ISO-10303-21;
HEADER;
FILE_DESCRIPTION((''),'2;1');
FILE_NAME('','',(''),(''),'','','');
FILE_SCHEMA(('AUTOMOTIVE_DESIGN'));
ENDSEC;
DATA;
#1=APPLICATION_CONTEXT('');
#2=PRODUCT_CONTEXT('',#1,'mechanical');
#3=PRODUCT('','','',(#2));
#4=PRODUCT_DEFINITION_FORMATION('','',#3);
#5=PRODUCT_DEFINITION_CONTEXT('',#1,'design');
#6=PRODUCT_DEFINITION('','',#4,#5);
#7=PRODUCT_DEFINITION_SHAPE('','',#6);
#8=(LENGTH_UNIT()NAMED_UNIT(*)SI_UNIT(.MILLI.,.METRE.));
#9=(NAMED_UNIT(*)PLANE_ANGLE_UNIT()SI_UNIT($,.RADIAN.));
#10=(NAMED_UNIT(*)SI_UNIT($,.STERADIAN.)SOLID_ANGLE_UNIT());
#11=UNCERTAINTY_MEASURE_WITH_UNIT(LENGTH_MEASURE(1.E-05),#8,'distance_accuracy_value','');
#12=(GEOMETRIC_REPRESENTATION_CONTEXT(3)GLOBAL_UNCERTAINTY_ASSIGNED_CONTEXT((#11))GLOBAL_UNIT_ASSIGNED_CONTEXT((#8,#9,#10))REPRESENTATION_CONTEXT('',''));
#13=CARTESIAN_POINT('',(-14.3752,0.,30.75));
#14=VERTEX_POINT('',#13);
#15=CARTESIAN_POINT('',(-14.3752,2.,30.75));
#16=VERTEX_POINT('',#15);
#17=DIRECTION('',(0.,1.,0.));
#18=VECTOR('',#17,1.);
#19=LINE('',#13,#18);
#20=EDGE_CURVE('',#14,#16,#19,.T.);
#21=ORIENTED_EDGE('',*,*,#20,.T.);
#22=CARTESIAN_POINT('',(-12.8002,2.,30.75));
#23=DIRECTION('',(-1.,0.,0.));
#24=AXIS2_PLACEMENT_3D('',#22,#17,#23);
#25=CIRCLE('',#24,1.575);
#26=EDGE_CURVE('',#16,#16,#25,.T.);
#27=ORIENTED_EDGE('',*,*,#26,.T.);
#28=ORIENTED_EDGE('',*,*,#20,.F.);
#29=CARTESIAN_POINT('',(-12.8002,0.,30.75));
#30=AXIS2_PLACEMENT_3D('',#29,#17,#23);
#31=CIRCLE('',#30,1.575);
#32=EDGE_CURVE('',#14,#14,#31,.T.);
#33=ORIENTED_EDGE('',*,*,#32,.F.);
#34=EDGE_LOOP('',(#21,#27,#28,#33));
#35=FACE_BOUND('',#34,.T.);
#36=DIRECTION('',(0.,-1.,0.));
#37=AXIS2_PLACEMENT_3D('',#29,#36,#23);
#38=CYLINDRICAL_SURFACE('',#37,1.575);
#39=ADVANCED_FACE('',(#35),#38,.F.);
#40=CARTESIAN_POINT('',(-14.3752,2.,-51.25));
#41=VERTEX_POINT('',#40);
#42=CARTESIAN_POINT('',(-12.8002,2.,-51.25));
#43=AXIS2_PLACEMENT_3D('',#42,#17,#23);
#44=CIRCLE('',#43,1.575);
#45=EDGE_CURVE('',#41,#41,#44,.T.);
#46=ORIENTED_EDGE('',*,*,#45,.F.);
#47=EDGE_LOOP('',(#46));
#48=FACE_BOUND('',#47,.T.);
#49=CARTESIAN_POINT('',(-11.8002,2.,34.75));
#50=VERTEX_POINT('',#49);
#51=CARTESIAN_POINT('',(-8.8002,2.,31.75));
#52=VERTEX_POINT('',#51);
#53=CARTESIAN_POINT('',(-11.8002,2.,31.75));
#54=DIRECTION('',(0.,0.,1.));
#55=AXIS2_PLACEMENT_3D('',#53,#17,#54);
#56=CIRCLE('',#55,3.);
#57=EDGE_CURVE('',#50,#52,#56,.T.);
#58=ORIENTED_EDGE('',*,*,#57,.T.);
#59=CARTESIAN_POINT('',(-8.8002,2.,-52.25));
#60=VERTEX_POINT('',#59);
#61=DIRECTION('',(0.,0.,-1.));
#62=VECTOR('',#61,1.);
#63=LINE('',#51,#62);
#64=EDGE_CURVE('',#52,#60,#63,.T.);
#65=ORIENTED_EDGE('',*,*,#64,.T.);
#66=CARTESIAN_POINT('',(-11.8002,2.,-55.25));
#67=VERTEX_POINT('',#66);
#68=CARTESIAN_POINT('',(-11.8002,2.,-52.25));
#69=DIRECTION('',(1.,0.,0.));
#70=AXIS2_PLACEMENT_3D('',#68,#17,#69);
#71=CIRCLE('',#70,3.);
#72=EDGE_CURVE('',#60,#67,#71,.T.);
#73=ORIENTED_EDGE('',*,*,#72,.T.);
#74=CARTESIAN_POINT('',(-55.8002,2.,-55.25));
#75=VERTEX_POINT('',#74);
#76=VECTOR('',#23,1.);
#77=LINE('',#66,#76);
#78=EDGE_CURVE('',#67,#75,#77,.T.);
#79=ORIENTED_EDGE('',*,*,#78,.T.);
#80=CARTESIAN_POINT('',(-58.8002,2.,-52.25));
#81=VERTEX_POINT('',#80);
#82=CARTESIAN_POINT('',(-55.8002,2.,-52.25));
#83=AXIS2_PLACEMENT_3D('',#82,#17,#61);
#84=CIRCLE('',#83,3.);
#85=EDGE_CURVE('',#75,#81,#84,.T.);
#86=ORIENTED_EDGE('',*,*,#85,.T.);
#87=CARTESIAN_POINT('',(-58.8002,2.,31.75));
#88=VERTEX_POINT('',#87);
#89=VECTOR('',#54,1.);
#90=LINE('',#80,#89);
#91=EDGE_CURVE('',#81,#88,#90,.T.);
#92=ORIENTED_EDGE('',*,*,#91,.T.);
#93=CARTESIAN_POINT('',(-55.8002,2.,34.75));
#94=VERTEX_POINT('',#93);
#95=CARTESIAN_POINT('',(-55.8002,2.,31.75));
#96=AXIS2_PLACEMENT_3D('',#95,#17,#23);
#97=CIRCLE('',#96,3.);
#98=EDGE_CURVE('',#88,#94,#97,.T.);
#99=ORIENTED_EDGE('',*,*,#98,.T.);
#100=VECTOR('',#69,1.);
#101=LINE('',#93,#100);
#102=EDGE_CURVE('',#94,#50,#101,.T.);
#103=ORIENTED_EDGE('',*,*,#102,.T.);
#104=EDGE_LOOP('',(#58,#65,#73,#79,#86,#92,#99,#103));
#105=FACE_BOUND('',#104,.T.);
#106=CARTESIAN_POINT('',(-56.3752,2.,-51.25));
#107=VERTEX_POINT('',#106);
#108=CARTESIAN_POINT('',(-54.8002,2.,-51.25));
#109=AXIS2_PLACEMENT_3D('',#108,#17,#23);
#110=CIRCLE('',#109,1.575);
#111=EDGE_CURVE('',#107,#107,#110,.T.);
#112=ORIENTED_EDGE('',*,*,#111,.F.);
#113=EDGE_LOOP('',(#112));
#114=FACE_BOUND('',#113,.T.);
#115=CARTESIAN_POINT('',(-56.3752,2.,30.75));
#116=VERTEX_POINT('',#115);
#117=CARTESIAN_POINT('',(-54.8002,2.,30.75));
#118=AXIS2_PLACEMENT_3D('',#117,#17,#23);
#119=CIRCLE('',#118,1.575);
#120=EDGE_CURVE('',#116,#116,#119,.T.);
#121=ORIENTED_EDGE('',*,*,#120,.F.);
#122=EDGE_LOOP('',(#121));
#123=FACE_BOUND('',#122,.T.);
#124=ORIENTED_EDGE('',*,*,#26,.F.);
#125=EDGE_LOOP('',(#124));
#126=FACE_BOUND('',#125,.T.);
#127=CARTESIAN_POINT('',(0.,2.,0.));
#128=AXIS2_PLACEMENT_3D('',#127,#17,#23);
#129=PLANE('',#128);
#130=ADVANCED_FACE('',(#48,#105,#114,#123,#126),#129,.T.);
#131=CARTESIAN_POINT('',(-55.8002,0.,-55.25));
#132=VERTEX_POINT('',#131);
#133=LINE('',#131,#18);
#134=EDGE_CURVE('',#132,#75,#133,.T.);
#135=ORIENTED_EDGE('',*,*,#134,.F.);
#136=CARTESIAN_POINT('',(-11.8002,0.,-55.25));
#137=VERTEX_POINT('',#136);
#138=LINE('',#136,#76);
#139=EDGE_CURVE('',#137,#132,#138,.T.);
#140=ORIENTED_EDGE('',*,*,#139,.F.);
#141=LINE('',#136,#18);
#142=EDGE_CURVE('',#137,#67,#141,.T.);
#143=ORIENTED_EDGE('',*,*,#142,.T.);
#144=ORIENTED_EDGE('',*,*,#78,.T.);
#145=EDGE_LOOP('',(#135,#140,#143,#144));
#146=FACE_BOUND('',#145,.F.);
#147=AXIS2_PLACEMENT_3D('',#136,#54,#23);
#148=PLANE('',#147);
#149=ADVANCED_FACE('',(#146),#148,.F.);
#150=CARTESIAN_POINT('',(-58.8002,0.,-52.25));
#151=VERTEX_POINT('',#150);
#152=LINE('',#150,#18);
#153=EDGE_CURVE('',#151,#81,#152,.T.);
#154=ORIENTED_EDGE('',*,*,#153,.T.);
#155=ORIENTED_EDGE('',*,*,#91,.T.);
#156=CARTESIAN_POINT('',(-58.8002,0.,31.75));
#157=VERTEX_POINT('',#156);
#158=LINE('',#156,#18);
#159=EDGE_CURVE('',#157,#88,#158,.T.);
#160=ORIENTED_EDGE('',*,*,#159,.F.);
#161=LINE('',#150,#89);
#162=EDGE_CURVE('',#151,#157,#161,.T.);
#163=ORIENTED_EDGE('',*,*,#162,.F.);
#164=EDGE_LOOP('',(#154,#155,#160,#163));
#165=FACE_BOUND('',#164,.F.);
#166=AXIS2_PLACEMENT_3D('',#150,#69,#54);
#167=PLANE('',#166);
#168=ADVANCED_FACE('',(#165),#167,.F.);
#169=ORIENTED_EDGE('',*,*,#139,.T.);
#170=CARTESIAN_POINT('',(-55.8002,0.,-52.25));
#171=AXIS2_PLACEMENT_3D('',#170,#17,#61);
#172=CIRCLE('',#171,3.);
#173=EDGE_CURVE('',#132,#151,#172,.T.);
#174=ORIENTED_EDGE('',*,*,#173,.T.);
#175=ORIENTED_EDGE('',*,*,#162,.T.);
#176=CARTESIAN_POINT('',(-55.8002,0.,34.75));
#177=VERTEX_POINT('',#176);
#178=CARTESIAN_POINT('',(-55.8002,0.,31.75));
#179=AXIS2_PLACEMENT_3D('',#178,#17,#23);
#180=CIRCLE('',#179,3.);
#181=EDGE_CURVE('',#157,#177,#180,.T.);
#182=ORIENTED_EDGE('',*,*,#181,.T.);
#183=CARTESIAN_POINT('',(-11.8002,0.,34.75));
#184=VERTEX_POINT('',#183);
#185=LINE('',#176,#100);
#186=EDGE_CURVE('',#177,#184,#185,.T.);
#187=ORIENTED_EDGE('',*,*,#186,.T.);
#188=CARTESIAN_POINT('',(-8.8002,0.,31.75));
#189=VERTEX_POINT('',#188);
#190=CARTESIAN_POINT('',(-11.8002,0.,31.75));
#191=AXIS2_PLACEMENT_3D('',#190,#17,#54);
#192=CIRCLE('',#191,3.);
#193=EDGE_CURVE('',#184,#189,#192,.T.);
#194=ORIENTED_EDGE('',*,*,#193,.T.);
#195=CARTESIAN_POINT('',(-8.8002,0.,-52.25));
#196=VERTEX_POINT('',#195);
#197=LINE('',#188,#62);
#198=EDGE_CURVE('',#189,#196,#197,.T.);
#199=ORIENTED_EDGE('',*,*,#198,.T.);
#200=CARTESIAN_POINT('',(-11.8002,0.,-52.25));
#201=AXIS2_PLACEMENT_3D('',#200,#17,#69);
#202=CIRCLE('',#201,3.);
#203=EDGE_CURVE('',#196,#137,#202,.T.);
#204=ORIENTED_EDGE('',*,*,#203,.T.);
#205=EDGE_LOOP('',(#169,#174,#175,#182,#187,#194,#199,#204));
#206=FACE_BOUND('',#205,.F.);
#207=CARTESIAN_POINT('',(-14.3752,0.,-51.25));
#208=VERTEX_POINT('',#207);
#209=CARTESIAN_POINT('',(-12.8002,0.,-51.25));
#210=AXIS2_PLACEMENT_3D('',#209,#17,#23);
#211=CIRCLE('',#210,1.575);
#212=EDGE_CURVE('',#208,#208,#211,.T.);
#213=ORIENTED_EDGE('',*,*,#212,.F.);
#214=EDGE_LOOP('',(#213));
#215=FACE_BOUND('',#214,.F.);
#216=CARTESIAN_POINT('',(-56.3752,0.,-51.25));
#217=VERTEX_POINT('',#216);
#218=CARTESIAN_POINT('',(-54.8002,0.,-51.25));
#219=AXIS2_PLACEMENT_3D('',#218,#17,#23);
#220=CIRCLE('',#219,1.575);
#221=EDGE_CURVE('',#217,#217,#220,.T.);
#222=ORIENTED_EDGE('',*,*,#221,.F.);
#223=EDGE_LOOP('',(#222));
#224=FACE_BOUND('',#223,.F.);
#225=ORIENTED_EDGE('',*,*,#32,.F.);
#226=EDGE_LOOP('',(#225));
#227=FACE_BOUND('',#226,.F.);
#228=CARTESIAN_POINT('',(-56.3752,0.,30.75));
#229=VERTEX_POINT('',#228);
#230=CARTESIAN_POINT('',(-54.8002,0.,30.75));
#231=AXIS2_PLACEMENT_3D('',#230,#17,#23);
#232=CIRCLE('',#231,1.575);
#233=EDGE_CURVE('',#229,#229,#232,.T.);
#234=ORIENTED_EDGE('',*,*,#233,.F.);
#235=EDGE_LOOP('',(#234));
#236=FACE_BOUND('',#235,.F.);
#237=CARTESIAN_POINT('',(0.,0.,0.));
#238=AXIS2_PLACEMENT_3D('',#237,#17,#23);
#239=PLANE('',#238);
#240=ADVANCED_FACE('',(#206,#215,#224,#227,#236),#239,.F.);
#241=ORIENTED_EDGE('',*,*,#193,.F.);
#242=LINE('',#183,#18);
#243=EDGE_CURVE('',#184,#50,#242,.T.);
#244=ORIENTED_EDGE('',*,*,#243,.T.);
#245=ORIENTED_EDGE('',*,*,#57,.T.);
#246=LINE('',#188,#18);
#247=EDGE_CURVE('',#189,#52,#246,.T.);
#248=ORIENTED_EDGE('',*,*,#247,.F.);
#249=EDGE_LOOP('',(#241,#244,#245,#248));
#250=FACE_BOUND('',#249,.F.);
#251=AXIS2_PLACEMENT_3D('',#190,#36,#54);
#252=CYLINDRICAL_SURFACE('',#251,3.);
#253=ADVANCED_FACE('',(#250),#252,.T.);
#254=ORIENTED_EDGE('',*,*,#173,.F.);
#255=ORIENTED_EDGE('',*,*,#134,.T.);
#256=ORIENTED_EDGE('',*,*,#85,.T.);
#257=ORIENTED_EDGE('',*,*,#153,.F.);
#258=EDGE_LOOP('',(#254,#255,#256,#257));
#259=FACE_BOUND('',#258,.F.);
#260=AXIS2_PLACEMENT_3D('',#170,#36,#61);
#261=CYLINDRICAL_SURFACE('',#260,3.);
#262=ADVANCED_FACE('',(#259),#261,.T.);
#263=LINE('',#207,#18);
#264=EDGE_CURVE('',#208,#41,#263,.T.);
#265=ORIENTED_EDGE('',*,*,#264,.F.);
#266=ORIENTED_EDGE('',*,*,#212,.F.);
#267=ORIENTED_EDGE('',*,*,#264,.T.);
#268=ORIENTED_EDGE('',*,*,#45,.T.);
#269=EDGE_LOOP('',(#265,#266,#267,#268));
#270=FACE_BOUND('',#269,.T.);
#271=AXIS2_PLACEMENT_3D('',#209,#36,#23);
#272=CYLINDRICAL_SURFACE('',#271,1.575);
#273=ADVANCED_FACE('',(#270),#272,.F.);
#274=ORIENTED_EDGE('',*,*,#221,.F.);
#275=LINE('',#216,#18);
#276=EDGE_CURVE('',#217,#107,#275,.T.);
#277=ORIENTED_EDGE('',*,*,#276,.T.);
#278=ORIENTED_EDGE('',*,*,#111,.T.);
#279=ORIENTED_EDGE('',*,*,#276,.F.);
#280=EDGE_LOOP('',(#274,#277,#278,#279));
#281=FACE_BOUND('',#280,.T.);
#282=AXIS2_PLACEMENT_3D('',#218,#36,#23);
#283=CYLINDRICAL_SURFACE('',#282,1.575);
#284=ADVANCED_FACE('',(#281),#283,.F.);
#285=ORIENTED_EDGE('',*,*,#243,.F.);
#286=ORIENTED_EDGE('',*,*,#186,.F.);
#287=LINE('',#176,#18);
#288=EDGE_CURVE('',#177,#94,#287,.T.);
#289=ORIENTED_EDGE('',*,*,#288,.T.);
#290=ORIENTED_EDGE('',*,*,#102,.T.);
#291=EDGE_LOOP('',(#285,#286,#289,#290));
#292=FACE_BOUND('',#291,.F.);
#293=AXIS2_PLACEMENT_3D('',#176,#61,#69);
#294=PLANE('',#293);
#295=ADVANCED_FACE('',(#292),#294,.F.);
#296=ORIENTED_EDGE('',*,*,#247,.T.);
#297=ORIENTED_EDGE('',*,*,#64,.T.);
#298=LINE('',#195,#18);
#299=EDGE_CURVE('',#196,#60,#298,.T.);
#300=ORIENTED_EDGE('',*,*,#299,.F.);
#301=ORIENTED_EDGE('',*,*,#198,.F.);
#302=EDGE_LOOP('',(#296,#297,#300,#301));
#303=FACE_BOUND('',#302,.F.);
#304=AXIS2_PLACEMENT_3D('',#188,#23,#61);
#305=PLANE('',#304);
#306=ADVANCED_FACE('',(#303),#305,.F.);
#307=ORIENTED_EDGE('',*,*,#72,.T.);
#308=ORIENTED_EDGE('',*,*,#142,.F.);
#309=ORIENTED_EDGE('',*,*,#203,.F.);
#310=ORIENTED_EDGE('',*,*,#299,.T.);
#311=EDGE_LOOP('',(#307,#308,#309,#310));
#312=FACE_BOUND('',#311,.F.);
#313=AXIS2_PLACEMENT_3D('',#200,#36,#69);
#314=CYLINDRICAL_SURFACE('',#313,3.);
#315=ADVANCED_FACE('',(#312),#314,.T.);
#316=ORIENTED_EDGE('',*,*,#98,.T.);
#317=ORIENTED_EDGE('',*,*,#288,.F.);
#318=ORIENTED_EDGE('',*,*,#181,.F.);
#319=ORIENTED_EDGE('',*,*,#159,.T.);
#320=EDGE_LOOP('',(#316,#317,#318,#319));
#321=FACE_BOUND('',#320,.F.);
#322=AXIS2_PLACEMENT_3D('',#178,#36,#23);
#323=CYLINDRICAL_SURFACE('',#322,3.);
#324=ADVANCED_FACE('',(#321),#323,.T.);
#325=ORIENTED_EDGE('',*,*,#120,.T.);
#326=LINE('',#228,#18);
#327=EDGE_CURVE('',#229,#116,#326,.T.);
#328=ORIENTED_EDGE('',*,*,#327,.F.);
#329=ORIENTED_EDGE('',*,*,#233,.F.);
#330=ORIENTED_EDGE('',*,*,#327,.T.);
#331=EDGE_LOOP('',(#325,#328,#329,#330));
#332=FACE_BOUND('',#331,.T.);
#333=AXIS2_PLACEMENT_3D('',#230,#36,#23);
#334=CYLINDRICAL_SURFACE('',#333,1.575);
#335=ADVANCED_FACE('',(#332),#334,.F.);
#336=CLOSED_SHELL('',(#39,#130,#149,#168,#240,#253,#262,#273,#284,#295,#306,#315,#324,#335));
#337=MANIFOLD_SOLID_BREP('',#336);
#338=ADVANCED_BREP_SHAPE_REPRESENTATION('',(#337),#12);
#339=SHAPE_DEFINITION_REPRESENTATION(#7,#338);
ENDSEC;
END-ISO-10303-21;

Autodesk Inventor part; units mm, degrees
ref_plane "YZ Plane" through (0, 0, 0) normal (1, 0, 0) x (0, 1, 0)
ref_plane "XZ Plane" through (0, 0, 0) normal (0, 1, 0) x (-1, 0, 0)
ref_plane "XY Plane" through (0, 0, 0) normal (0, 0, 1) x (1, 0, 0)
sketch "Эскиз8" plane through (0, 0, 0) normal (0, 1, 0) x (-1, 0, 0)
  line L0 (11.8002, -55.25) -> (55.8002, -55.25)
  line L1 (58.8002, -52.25) -> (58.8002, 31.75)
  line L2 (55.8002, 34.75) -> (11.8002, 34.75)
  line L3 (8.8002, 31.75) -> (8.8002, -52.25)
  arc A0 (11.8002, 34.75) -> (8.8002, 31.75) centre (11.8002, 31.75) ccw
  arc A1 (8.8002, -52.25) -> (11.8002, -55.25) centre (11.8002, -52.25) ccw
  arc A2 (55.8002, -55.25) -> (58.8002, -52.25) centre (55.8002, -52.25) ccw
  arc A3 (58.8002, 31.75) -> (55.8002, 34.75) centre (55.8002, 31.75) ccw
  line L4 (12.8002, 30.75) -> (54.8002, 30.75) construction
  line L5 (54.8002, 30.75) -> (54.8002, -51.25) construction
  line L6 (54.8002, -51.25) -> (12.8002, -51.25) construction
  line L7 (12.8002, -51.25) -> (12.8002, 30.75) construction
  circle A4 centre (54.8002, 30.75) radius 1.575
  circle A5 centre (12.8002, 30.75) radius 1.575
  circle A6 centre (54.8002, -51.25) radius 1.575
  circle A7 centre (12.8002, -51.25) radius 1.575
  point P0 (0, 0)
  point P1 (8.8002, -55.25)
  point P2 (58.8002, 34.75)
  point P3 (58.8002, -55.25)
  point P4 (8.8002, 34.75)
  dimension "d54" = 50
  dimension "d55" = 90
  dimension "d56" = 3
  dimension "d57" = 4
  dimension "d58" = 3.15
  dimension "d59" = 3.15
  dimension "d60" = 3.15
  dimension "d61" = 3.15
extrude "Выдавливание6" add sketch "Эскиз8" along normal blind 2
properties part number "контур"
